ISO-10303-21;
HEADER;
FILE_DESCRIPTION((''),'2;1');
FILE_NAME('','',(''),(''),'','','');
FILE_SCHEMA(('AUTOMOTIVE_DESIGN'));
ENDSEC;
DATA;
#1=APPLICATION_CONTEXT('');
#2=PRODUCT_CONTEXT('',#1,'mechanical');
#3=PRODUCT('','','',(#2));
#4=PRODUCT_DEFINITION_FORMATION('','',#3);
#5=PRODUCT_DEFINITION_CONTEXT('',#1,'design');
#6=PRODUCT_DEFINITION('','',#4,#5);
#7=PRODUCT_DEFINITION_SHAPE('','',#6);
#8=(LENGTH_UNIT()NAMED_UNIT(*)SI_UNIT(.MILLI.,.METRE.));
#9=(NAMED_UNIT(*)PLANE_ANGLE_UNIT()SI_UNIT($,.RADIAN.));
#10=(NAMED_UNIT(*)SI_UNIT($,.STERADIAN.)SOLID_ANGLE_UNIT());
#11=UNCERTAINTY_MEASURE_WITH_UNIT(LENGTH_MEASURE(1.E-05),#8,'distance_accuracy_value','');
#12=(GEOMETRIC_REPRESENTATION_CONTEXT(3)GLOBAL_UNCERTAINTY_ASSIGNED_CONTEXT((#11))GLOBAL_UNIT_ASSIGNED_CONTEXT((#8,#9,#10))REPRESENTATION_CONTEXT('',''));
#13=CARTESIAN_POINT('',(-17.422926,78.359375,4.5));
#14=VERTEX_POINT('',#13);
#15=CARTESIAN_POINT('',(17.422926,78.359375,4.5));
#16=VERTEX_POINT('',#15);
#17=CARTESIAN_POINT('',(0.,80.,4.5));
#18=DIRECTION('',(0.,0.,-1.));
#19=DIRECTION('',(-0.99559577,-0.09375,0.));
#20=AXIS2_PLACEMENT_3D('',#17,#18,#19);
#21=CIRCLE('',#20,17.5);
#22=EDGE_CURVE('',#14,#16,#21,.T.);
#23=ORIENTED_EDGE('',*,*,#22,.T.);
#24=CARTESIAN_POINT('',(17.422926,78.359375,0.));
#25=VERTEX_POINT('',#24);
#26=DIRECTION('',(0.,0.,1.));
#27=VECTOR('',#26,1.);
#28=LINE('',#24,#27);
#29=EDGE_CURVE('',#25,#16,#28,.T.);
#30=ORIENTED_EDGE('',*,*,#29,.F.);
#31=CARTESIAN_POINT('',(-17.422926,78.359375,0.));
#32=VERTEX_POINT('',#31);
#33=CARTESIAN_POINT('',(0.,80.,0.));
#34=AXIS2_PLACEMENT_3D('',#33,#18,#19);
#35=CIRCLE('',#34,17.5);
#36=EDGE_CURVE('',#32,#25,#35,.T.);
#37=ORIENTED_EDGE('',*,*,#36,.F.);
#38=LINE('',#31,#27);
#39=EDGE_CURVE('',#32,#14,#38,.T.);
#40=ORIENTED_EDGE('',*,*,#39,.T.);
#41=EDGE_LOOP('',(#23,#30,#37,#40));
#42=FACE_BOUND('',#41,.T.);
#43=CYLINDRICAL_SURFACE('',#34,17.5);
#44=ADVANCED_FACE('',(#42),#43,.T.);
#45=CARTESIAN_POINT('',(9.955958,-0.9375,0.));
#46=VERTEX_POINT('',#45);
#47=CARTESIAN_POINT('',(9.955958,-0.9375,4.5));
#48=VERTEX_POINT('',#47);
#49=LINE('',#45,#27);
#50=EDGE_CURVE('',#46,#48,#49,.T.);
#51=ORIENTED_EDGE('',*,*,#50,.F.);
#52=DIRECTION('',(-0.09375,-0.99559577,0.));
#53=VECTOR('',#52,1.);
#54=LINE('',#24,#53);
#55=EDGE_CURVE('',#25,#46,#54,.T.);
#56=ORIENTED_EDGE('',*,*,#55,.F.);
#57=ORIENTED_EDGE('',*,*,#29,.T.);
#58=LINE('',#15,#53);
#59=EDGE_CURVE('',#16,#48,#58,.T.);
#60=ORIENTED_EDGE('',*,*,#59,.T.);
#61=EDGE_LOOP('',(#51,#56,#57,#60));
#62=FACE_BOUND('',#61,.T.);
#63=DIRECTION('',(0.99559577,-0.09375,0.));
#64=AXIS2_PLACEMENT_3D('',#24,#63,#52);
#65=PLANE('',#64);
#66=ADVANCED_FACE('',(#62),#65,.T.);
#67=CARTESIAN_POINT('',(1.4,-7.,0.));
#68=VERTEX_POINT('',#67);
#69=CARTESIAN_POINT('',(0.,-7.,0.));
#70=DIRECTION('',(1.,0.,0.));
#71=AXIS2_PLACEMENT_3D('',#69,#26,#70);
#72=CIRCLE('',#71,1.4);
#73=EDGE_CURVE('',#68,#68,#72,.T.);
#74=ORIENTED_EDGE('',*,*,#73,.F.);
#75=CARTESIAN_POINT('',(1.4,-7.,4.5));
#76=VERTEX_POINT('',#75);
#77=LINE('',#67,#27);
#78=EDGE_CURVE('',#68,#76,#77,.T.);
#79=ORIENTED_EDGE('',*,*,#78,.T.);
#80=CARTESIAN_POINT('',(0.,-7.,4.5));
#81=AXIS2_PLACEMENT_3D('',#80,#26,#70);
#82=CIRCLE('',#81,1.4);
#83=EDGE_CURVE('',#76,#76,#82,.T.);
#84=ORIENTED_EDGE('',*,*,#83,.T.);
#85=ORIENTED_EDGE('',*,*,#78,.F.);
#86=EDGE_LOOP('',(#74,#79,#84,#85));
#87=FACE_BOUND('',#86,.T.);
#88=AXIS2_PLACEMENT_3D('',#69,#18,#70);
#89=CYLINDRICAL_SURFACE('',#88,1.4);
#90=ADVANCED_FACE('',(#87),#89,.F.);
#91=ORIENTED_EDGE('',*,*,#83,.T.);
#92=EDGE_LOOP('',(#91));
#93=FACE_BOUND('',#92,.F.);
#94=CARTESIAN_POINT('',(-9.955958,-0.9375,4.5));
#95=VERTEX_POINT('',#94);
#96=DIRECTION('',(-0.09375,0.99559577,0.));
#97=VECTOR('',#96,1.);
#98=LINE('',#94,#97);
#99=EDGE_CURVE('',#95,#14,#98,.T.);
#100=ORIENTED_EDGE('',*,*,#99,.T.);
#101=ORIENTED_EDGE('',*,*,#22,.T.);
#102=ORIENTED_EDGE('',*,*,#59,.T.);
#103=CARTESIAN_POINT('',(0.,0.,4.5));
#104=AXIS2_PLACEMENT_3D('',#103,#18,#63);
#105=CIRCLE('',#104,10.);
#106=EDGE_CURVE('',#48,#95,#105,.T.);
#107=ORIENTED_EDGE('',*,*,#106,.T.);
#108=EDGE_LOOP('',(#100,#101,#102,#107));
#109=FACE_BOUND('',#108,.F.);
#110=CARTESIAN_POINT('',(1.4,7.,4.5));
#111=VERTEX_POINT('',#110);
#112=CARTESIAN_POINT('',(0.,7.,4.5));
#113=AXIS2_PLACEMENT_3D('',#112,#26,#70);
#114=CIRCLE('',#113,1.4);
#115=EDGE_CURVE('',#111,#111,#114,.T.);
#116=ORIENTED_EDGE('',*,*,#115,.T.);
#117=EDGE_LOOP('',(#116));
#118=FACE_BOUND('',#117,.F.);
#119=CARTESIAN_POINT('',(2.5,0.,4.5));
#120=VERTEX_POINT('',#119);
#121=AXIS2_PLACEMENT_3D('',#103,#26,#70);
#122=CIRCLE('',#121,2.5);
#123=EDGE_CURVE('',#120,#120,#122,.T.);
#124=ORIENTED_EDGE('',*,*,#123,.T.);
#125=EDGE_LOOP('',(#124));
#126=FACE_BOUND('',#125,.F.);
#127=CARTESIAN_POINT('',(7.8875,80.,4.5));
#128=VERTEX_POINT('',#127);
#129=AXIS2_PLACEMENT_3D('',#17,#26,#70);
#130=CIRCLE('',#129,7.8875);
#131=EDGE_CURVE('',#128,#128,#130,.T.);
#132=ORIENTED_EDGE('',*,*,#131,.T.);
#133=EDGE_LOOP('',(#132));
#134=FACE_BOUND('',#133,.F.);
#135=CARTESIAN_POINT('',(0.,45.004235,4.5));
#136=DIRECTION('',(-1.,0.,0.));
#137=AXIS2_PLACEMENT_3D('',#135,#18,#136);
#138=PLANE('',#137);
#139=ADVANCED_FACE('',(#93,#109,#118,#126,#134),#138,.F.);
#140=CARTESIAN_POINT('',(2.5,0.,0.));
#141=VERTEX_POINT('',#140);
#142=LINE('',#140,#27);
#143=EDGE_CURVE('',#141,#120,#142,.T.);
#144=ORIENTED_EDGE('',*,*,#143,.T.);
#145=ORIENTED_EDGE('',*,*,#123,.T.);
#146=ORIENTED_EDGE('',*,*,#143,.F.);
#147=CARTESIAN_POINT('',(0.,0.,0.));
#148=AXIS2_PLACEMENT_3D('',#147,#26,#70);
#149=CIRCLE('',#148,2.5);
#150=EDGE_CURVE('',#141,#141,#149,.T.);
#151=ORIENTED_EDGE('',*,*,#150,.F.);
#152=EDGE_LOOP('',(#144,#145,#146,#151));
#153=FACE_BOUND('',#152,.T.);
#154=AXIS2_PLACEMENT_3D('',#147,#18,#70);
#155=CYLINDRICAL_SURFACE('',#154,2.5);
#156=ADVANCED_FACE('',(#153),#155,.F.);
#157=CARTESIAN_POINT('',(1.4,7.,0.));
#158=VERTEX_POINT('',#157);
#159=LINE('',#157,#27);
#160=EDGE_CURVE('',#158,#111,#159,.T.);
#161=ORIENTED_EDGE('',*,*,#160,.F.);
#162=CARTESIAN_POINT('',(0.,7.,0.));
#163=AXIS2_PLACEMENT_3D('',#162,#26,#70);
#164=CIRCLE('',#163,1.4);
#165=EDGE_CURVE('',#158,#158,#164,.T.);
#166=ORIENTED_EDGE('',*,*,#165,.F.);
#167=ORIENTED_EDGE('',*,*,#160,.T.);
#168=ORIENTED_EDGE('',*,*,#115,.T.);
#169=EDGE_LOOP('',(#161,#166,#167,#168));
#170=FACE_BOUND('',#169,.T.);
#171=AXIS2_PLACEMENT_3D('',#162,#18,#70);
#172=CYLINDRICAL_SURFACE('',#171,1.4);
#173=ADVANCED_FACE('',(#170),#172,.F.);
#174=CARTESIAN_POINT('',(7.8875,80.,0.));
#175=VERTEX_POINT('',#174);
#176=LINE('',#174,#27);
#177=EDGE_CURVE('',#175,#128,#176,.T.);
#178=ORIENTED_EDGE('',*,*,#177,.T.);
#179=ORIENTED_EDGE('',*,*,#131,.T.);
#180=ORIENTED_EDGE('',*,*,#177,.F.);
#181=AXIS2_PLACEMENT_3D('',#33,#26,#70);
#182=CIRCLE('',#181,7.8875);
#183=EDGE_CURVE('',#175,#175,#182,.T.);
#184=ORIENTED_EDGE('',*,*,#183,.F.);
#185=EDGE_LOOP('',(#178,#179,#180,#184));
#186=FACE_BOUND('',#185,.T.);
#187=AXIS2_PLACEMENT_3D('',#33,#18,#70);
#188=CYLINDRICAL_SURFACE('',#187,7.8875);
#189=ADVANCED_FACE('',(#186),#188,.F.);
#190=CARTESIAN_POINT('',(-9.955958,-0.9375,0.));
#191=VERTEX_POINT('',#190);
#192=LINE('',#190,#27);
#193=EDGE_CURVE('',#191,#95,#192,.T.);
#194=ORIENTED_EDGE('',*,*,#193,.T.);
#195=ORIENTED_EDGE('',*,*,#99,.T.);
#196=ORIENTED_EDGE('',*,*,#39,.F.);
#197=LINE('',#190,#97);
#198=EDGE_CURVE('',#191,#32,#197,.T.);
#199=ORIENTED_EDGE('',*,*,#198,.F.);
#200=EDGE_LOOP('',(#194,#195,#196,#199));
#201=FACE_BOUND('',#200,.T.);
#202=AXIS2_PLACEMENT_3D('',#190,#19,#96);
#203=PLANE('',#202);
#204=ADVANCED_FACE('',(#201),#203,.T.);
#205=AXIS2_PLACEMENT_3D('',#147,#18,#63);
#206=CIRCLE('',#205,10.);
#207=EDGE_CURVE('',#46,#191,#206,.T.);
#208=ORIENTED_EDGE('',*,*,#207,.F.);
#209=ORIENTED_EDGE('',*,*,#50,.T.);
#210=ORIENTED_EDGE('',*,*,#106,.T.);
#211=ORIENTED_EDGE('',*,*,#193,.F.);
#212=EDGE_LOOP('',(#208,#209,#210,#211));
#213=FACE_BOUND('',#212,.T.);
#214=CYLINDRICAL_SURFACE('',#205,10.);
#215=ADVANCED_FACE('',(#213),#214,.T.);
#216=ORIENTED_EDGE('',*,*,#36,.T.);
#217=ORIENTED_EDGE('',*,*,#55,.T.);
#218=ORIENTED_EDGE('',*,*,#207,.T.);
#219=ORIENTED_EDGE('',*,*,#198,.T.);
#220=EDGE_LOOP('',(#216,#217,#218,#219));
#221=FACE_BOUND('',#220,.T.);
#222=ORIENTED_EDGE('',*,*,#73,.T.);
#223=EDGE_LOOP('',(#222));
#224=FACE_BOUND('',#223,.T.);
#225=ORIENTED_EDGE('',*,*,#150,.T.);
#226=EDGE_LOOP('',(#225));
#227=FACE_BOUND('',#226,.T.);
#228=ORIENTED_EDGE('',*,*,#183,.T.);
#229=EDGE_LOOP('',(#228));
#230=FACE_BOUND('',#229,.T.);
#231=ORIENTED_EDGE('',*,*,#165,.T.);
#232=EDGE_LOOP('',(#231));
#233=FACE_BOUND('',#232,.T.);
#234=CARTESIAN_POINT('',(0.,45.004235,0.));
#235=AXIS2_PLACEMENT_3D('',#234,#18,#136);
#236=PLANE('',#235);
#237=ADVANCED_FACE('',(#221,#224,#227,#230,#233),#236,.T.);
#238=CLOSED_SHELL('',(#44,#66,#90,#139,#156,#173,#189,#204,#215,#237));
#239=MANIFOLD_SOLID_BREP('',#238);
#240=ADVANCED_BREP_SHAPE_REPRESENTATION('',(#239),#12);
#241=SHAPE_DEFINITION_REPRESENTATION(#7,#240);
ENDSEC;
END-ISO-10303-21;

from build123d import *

# Parameters (mm, degrees)
SKETCH1_R           = 7.8875
SKETCH1_R_2         = 2.5
SKETCH1_R_3         = 1.4
BOSS_EXTRUDE1_DEPTH = 4.5


with BuildPart() as part:
    # Sketch1 → Boss-Extrude1 (new body)
    with BuildSketch(Plane.XY):
        with BuildLine():
            Line((-9.955957701, -0.9375), (-17.422925977, 78.359375))
            ThreePointArc((-17.422925977, 78.359375), (0, 97.5), (17.422925977, 78.359375))
            Line((17.422925977, 78.359375), (9.955957701, -0.9375))
            ThreePointArc((9.955957701, -0.9375), (0, -10), (-9.955957701, -0.9375))
        make_face()
        with Locations((0, 80)):
            Circle(SKETCH1_R, mode=Mode.SUBTRACT)
        Circle(SKETCH1_R_2, mode=Mode.SUBTRACT)
        with Locations((0, 7)):
            Circle(SKETCH1_R_3, mode=Mode.SUBTRACT)
        with Locations((0, -7)):
            Circle(SKETCH1_R_3, mode=Mode.SUBTRACT)
    extrude(amount=BOSS_EXTRUDE1_DEPTH)


solid = part.part
